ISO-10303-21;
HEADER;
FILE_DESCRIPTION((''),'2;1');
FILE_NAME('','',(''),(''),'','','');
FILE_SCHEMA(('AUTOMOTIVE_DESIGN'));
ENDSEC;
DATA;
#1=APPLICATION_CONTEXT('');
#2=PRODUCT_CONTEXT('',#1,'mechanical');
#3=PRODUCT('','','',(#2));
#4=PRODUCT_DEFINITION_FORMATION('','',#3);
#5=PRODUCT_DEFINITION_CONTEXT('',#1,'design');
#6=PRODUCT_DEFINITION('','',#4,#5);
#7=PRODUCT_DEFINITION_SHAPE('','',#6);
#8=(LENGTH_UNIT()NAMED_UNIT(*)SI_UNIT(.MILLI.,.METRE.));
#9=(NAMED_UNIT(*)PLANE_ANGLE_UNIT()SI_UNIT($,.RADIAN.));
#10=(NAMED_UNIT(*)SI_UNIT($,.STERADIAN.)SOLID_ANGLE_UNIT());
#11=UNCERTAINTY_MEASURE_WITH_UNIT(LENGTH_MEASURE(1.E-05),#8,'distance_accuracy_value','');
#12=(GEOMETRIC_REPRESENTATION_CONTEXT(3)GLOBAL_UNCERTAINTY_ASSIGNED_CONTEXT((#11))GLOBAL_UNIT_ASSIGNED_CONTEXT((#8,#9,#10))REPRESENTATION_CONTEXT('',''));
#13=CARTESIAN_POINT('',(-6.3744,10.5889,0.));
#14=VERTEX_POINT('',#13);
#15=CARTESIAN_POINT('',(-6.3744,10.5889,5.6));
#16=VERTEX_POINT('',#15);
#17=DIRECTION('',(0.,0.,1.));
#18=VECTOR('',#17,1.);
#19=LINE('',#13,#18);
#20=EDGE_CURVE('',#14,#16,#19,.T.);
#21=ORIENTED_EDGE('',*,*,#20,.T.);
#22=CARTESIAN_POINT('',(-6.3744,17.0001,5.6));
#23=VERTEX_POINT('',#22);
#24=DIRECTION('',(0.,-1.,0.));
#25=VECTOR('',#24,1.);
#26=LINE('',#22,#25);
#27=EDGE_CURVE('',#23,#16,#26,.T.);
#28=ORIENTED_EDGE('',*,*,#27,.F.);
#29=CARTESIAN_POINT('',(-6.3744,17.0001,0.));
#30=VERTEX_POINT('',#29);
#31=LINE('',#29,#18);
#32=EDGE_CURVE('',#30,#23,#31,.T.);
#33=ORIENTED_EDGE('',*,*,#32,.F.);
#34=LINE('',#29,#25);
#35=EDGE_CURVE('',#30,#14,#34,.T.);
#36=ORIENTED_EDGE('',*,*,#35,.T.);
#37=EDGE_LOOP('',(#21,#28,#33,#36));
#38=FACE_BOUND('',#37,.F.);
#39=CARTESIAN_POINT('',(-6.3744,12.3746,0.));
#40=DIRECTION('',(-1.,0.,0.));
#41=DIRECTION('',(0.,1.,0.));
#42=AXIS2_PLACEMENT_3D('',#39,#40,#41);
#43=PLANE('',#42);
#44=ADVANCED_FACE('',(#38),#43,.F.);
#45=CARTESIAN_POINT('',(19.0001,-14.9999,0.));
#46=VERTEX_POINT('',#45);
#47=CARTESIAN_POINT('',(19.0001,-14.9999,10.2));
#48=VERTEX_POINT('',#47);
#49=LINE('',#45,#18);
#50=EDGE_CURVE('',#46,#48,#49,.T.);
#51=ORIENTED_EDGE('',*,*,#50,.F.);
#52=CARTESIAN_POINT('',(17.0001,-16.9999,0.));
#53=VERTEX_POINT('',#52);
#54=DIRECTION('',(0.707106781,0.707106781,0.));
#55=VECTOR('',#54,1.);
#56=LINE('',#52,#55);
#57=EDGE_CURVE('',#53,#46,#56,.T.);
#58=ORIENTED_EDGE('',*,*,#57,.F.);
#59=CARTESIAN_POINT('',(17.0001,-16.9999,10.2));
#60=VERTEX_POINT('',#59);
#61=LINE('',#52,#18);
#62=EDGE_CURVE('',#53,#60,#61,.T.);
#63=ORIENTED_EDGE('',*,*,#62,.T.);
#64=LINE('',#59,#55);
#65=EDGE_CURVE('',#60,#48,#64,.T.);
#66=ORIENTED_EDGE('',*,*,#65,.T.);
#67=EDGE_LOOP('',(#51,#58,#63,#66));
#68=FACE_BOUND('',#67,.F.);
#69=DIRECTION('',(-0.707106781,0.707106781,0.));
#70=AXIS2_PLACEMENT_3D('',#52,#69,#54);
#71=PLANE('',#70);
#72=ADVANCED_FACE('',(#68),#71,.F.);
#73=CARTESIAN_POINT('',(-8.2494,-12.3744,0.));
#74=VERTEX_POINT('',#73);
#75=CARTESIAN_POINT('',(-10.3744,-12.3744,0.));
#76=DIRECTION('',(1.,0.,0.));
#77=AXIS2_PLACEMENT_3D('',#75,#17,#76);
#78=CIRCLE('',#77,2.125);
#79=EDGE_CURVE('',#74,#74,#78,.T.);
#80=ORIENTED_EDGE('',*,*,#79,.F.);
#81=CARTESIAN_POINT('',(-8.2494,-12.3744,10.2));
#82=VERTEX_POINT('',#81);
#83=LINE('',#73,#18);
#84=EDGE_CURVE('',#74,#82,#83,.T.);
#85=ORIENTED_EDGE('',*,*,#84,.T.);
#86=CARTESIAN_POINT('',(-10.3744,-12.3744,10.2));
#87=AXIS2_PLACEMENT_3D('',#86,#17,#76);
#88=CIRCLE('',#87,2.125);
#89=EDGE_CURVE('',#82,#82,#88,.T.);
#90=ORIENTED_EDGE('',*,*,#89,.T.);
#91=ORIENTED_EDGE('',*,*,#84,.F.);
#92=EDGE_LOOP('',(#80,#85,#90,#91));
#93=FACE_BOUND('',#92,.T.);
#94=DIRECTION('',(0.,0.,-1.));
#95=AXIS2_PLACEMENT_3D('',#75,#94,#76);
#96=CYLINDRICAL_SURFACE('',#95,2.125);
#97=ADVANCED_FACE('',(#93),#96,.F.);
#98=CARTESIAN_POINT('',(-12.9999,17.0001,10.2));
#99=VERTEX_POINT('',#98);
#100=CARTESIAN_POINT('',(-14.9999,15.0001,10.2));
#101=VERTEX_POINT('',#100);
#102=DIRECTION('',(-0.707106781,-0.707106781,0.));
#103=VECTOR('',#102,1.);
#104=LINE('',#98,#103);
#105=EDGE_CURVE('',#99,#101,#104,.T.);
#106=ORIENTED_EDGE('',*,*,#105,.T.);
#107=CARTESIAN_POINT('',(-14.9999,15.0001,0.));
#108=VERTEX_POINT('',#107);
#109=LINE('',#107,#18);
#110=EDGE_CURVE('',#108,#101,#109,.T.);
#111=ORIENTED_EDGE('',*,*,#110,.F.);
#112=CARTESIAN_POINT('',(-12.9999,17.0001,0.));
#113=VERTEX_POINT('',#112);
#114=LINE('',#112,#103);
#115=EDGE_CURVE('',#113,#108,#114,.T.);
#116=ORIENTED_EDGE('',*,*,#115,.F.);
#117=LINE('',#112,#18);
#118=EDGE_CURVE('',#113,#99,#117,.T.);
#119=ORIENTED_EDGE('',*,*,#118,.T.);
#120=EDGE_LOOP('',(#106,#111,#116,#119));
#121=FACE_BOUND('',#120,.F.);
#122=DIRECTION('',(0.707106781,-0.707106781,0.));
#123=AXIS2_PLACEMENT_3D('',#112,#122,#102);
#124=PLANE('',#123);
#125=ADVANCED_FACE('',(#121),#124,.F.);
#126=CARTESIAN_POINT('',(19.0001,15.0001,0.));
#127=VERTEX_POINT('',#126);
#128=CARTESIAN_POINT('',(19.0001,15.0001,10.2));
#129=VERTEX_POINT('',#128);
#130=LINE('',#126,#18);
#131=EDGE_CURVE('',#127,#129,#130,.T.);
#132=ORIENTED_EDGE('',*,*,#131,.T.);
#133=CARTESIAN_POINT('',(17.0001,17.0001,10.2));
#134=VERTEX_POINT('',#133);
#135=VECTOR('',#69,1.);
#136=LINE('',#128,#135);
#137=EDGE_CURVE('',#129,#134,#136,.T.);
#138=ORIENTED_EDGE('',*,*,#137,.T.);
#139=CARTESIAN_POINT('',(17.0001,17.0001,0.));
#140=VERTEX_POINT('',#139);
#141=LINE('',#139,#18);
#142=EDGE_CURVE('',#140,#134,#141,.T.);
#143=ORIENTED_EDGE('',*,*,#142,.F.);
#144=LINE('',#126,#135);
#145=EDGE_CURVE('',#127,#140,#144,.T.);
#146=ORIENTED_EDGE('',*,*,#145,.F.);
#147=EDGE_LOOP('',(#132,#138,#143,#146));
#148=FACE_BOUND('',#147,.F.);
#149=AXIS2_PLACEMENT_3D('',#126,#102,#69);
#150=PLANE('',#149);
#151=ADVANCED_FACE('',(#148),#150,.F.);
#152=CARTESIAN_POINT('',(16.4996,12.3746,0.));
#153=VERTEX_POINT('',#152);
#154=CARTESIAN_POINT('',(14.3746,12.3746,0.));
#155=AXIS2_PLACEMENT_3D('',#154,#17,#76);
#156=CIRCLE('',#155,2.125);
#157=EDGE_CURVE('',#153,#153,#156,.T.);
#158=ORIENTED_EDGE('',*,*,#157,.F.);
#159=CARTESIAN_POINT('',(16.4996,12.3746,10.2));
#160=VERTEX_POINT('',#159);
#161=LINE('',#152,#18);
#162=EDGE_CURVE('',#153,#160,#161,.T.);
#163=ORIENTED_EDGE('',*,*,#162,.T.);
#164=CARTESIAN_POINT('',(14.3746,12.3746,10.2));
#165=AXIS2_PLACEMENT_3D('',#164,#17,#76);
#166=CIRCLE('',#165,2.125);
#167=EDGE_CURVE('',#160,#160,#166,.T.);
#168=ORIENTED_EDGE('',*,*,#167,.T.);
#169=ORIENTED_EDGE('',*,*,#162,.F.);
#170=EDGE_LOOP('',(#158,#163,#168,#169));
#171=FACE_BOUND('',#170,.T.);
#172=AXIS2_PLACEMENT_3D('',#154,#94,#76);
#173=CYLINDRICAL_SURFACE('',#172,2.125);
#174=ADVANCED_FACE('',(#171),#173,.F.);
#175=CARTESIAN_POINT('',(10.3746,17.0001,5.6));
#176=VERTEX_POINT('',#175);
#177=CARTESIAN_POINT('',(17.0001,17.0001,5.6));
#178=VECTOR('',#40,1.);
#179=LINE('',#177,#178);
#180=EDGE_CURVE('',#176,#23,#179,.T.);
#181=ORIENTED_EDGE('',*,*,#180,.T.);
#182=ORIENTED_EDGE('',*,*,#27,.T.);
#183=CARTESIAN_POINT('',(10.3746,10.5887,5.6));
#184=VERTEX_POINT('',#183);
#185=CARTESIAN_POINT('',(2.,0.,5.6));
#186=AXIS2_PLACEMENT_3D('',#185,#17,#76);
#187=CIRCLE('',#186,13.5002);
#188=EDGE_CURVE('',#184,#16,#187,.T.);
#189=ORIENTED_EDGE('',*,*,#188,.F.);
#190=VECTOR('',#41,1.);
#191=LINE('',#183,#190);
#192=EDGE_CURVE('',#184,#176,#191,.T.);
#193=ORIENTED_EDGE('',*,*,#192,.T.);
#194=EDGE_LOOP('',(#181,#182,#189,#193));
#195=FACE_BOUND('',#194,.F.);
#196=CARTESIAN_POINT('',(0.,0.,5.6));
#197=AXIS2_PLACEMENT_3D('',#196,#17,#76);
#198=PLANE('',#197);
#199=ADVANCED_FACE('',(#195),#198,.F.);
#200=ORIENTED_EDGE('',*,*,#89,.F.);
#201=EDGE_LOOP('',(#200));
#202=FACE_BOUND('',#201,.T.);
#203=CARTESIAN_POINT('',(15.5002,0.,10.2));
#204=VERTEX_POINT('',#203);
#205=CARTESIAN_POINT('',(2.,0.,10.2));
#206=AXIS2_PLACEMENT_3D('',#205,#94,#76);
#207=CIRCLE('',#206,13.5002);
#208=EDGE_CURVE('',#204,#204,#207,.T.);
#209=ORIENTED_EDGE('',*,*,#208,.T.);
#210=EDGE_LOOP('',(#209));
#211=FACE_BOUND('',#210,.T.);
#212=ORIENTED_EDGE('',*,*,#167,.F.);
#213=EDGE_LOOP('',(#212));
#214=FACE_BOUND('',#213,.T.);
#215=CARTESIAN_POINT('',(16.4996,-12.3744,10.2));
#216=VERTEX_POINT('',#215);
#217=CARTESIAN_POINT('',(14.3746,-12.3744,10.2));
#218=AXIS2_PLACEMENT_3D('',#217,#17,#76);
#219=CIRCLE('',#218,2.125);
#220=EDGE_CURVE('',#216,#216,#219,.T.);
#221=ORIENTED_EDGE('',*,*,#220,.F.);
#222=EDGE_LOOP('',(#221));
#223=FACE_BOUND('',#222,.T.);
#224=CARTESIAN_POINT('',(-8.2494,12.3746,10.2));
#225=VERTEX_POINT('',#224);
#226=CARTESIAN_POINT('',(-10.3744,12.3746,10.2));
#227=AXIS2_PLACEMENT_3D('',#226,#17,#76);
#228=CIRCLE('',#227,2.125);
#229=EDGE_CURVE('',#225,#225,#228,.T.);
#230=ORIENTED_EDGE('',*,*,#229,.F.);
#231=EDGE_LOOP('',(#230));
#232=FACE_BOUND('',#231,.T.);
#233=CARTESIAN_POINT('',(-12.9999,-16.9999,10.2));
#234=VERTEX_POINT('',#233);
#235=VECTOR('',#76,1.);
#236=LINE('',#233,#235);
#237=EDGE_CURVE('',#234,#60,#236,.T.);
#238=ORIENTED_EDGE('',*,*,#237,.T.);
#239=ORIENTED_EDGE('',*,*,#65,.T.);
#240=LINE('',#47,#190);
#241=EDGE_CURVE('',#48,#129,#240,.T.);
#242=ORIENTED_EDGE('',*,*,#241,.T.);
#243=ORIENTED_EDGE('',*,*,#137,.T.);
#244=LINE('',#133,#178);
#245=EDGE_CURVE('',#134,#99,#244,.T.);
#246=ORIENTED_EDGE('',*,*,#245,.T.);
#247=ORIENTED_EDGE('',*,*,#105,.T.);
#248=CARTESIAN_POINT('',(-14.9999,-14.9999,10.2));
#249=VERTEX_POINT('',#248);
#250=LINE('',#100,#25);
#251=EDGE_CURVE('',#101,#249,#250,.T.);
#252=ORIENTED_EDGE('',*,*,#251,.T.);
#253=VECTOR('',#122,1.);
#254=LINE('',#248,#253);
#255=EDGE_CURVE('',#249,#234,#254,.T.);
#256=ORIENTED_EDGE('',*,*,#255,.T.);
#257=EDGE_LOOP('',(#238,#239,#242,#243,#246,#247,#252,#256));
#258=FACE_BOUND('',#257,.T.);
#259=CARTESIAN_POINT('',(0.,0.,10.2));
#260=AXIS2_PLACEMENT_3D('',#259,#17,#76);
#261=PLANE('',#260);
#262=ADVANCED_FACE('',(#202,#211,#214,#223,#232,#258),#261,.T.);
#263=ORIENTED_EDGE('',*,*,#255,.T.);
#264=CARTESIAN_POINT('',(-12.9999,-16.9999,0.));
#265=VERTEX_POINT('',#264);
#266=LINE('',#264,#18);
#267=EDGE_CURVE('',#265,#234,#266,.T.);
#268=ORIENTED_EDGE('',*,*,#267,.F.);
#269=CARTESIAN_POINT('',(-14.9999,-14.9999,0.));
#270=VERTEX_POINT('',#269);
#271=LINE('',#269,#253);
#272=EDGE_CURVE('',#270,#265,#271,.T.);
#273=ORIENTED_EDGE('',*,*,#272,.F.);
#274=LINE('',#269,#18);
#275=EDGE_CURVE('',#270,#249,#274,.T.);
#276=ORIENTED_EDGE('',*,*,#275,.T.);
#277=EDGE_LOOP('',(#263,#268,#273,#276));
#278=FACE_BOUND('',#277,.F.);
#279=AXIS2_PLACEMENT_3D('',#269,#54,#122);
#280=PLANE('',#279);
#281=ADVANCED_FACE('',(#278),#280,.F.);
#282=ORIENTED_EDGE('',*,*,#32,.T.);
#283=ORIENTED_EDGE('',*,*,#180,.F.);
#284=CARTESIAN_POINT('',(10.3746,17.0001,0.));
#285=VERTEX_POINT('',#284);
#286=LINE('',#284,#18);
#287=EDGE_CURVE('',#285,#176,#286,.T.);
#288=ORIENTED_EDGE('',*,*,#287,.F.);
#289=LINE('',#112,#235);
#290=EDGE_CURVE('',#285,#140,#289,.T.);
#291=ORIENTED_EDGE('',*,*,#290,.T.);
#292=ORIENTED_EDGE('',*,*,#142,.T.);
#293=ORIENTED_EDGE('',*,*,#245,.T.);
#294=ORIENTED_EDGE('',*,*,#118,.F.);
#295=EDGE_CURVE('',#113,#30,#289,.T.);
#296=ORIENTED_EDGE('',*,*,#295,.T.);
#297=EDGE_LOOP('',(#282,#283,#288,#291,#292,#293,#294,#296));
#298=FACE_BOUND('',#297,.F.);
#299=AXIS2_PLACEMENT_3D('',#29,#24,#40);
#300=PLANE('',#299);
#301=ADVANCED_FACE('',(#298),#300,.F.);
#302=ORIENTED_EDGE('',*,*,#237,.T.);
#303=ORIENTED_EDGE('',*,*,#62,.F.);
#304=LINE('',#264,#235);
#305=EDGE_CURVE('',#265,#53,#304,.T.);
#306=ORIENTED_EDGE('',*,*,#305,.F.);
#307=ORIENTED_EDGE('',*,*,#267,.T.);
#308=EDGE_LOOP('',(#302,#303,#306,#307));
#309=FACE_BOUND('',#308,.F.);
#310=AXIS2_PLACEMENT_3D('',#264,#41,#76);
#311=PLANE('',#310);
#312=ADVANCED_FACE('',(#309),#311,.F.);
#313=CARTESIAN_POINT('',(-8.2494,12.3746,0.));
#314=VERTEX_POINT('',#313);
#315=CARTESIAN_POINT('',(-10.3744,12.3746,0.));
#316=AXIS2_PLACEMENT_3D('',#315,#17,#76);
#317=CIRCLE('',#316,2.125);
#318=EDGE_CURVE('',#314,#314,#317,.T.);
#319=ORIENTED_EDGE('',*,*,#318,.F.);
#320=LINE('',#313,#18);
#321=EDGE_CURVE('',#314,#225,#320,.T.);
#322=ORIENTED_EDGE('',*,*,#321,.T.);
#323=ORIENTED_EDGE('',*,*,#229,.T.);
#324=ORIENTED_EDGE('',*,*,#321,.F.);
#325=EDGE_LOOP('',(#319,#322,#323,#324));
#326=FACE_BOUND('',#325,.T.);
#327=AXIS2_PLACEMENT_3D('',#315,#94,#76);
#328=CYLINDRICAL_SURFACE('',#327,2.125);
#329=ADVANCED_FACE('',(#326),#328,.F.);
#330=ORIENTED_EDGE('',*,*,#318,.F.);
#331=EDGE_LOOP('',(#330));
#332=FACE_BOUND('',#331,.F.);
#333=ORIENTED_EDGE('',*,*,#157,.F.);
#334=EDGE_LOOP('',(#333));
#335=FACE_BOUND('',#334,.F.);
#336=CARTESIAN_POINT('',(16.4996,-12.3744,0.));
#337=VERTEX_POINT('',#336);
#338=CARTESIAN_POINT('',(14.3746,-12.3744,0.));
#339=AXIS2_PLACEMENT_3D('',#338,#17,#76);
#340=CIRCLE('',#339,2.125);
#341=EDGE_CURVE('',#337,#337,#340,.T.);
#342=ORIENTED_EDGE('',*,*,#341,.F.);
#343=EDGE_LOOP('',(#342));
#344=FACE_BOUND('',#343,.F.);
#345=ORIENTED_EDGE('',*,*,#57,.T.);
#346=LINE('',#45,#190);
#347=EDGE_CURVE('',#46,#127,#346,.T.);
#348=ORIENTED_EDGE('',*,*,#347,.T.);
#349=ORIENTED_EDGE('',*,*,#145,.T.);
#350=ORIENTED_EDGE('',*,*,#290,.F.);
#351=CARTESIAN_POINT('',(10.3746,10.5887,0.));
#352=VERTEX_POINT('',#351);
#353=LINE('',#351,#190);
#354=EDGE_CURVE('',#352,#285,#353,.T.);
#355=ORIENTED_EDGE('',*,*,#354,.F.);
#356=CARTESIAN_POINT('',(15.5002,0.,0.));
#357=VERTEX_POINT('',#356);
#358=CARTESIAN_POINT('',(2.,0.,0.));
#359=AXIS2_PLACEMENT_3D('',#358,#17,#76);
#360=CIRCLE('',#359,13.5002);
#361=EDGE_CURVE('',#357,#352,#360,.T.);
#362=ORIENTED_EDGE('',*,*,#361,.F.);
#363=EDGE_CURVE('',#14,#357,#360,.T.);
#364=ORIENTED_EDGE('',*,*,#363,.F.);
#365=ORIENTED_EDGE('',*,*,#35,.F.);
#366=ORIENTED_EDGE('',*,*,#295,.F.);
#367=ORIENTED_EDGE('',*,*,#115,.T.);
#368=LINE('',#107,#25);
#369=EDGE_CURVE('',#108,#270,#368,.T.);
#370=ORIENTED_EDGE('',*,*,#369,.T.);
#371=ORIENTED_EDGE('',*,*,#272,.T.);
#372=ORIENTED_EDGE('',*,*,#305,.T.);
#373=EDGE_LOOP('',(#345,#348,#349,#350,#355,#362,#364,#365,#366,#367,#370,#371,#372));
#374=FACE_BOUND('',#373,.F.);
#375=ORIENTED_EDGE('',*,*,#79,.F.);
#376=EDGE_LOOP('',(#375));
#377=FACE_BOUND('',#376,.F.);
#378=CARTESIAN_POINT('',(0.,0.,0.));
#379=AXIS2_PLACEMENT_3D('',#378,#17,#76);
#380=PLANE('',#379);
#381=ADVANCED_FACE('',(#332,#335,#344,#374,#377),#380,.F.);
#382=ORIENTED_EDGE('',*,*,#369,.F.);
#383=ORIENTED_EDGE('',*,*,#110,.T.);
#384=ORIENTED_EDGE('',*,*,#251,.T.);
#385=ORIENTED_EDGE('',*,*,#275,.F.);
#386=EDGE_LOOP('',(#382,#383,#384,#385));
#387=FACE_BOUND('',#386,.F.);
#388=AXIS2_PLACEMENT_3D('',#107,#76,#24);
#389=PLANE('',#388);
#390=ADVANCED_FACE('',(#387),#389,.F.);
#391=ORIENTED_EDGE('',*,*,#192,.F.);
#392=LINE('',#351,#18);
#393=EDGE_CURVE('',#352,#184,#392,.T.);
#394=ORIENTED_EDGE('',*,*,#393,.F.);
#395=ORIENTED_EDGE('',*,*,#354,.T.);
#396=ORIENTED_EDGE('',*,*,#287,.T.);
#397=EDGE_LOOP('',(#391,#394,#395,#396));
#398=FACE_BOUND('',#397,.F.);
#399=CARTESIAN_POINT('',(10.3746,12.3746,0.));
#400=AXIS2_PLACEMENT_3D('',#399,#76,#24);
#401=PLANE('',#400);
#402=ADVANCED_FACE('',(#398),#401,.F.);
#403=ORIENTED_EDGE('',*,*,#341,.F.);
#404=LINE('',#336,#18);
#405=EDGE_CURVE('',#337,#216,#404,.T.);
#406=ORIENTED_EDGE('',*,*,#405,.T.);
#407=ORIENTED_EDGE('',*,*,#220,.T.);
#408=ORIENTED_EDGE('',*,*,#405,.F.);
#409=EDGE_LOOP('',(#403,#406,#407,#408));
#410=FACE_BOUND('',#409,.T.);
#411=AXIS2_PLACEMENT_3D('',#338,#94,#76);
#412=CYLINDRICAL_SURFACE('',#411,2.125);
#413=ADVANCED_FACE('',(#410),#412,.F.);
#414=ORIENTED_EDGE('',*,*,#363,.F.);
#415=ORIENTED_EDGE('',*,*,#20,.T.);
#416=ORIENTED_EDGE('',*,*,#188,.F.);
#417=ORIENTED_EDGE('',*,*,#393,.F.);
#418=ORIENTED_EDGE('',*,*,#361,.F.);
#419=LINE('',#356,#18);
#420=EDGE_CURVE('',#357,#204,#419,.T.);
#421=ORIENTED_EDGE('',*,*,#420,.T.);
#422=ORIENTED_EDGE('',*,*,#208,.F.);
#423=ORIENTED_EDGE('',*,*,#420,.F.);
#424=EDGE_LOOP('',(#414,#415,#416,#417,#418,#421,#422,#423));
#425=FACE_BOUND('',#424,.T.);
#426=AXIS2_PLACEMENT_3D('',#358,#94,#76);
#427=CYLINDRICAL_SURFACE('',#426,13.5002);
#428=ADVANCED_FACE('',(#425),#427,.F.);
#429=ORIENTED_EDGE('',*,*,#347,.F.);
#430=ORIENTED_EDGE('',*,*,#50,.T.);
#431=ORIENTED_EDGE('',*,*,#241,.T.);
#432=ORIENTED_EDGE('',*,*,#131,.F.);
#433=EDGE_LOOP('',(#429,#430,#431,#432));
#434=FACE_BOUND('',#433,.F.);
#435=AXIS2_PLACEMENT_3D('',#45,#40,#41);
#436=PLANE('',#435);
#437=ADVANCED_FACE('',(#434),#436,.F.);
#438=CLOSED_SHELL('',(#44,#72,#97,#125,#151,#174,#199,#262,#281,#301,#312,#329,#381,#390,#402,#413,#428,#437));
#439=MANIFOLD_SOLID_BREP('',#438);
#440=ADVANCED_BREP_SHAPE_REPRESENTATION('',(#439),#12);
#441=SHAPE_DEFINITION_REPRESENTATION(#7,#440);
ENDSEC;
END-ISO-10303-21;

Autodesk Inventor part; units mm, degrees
ref_plane "YZ Plane" through (0, 0, 0) normal (1, 0, 0) x (0, 1, 0)
ref_plane "XZ Plane" through (0, 0, 0) normal (0, 1, 0) x (-1, 0, 0)
ref_plane "XY Plane" through (0, 0, 0) normal (0, 0, 1) x (1, 0, 0)
sketch "Base" plane through (0, 0, 0) normal (0, 0, 1) x (1, 0, 0)
  line L0 (19.0001, -14.9999) -> (19.0001, 15.0001) projected
  line L1 (19.0001, 15.0001) -> (17.0001, 17.0001) projected
  line L2 (17.0001, 17.0001) -> (-12.9999, 17.0001) projected
  line L3 (-12.9999, 17.0001) -> (-14.9999, 15.0001) projected
  line L4 (-14.9999, 15.0001) -> (-14.9999, -14.9999) projected
  line L5 (-14.9999, -14.9999) -> (-12.9999, -16.9999) projected
  line L6 (-12.9999, -16.9999) -> (17.0001, -16.9999) projected
  line L7 (17.0001, -16.9999) -> (19.0001, -14.9999) projected
  circle A0 centre (-10.3744, 12.3746) radius 1.75 construction
  circle A1 centre (-2.9999, 8.7501) radius 0.475 construction
  circle A2 centre (-0.4999, 8.7501) radius 0.475 construction
  circle A3 centre (2.0001, 8.7501) radius 0.475 construction
  circle A4 centre (4.5001, 8.7501) radius 0.475 construction
  circle A5 centre (7.0001, 8.7501) radius 0.475 construction
  circle A6 centre (14.3746, 12.3746) radius 1.75 construction
  circle A7 centre (-10.3744, -12.3744) radius 1.75 construction
  circle A8 centre (14.3746, -12.3744) radius 1.75 construction
  line L8 (-5.7099, 9.0001) -> (-5.7099, 16.0001) construction
  line L9 (9.7101, 9.0001) -> (9.7101, 16.0001) construction
  line L10 (-5.7099, 16.0001) -> (9.7101, 16.0001) construction
  circle A9 centre (2, 0) radius 2.5 construction
  circle A10 centre (-10.3744, 12.3746) radius 4 construction
  circle A11 centre (14.3746, 12.3746) radius 4 construction
  circle A12 centre (14.3746, -12.3744) radius 4 construction
  circle A13 centre (-10.3744, -12.3744) radius 4 construction
  line L11 (-6.3744, 12.3746) -> (-6.3744, 17.0001)
  line L12 (10.3746, 12.3746) -> (10.3746, 17.0001)
  circle A14 centre (2, 0) radius 13.5002
  line L13 (-21.7999, 0) -> (25.8001, 0) construction
  line L14 (-6.3744, 12.3746) -> (-6.3744, 10.5889)
  line L15 (10.3746, 12.3746) -> (10.3746, 10.5887)
  circle A15 centre (-10.3744, 12.3746) radius 2.125
  circle A16 centre (-10.3744, -12.3744) radius 2.125
  circle A17 centre (14.3746, -12.3744) radius 2.125
  circle A18 centre (14.3746, 12.3746) radius 2.125
  point P0 (0, 0)
  point P1 (-7.5221, -9.57)
  point P2 (-7.57, -9.5221)
  dimension "d8" = 8
  dimension "d13" = 3.5
  dimension "d14" = 4.25
extrude "BaseFeature" add sketch "Base" along normal blind 10.2 contours L7 L6 L5 L4 L3 L2 L11 L14 A14 L15 L12 L1 L0 | L12 L15 A14 L14 L11 L2
extrude "ConnectorHoleFeature" cut sketch "Base" along normal blind 5.6 contours L12 L15 A14 L14 L11 L2
properties part number "ArmEncoderSpacer"
